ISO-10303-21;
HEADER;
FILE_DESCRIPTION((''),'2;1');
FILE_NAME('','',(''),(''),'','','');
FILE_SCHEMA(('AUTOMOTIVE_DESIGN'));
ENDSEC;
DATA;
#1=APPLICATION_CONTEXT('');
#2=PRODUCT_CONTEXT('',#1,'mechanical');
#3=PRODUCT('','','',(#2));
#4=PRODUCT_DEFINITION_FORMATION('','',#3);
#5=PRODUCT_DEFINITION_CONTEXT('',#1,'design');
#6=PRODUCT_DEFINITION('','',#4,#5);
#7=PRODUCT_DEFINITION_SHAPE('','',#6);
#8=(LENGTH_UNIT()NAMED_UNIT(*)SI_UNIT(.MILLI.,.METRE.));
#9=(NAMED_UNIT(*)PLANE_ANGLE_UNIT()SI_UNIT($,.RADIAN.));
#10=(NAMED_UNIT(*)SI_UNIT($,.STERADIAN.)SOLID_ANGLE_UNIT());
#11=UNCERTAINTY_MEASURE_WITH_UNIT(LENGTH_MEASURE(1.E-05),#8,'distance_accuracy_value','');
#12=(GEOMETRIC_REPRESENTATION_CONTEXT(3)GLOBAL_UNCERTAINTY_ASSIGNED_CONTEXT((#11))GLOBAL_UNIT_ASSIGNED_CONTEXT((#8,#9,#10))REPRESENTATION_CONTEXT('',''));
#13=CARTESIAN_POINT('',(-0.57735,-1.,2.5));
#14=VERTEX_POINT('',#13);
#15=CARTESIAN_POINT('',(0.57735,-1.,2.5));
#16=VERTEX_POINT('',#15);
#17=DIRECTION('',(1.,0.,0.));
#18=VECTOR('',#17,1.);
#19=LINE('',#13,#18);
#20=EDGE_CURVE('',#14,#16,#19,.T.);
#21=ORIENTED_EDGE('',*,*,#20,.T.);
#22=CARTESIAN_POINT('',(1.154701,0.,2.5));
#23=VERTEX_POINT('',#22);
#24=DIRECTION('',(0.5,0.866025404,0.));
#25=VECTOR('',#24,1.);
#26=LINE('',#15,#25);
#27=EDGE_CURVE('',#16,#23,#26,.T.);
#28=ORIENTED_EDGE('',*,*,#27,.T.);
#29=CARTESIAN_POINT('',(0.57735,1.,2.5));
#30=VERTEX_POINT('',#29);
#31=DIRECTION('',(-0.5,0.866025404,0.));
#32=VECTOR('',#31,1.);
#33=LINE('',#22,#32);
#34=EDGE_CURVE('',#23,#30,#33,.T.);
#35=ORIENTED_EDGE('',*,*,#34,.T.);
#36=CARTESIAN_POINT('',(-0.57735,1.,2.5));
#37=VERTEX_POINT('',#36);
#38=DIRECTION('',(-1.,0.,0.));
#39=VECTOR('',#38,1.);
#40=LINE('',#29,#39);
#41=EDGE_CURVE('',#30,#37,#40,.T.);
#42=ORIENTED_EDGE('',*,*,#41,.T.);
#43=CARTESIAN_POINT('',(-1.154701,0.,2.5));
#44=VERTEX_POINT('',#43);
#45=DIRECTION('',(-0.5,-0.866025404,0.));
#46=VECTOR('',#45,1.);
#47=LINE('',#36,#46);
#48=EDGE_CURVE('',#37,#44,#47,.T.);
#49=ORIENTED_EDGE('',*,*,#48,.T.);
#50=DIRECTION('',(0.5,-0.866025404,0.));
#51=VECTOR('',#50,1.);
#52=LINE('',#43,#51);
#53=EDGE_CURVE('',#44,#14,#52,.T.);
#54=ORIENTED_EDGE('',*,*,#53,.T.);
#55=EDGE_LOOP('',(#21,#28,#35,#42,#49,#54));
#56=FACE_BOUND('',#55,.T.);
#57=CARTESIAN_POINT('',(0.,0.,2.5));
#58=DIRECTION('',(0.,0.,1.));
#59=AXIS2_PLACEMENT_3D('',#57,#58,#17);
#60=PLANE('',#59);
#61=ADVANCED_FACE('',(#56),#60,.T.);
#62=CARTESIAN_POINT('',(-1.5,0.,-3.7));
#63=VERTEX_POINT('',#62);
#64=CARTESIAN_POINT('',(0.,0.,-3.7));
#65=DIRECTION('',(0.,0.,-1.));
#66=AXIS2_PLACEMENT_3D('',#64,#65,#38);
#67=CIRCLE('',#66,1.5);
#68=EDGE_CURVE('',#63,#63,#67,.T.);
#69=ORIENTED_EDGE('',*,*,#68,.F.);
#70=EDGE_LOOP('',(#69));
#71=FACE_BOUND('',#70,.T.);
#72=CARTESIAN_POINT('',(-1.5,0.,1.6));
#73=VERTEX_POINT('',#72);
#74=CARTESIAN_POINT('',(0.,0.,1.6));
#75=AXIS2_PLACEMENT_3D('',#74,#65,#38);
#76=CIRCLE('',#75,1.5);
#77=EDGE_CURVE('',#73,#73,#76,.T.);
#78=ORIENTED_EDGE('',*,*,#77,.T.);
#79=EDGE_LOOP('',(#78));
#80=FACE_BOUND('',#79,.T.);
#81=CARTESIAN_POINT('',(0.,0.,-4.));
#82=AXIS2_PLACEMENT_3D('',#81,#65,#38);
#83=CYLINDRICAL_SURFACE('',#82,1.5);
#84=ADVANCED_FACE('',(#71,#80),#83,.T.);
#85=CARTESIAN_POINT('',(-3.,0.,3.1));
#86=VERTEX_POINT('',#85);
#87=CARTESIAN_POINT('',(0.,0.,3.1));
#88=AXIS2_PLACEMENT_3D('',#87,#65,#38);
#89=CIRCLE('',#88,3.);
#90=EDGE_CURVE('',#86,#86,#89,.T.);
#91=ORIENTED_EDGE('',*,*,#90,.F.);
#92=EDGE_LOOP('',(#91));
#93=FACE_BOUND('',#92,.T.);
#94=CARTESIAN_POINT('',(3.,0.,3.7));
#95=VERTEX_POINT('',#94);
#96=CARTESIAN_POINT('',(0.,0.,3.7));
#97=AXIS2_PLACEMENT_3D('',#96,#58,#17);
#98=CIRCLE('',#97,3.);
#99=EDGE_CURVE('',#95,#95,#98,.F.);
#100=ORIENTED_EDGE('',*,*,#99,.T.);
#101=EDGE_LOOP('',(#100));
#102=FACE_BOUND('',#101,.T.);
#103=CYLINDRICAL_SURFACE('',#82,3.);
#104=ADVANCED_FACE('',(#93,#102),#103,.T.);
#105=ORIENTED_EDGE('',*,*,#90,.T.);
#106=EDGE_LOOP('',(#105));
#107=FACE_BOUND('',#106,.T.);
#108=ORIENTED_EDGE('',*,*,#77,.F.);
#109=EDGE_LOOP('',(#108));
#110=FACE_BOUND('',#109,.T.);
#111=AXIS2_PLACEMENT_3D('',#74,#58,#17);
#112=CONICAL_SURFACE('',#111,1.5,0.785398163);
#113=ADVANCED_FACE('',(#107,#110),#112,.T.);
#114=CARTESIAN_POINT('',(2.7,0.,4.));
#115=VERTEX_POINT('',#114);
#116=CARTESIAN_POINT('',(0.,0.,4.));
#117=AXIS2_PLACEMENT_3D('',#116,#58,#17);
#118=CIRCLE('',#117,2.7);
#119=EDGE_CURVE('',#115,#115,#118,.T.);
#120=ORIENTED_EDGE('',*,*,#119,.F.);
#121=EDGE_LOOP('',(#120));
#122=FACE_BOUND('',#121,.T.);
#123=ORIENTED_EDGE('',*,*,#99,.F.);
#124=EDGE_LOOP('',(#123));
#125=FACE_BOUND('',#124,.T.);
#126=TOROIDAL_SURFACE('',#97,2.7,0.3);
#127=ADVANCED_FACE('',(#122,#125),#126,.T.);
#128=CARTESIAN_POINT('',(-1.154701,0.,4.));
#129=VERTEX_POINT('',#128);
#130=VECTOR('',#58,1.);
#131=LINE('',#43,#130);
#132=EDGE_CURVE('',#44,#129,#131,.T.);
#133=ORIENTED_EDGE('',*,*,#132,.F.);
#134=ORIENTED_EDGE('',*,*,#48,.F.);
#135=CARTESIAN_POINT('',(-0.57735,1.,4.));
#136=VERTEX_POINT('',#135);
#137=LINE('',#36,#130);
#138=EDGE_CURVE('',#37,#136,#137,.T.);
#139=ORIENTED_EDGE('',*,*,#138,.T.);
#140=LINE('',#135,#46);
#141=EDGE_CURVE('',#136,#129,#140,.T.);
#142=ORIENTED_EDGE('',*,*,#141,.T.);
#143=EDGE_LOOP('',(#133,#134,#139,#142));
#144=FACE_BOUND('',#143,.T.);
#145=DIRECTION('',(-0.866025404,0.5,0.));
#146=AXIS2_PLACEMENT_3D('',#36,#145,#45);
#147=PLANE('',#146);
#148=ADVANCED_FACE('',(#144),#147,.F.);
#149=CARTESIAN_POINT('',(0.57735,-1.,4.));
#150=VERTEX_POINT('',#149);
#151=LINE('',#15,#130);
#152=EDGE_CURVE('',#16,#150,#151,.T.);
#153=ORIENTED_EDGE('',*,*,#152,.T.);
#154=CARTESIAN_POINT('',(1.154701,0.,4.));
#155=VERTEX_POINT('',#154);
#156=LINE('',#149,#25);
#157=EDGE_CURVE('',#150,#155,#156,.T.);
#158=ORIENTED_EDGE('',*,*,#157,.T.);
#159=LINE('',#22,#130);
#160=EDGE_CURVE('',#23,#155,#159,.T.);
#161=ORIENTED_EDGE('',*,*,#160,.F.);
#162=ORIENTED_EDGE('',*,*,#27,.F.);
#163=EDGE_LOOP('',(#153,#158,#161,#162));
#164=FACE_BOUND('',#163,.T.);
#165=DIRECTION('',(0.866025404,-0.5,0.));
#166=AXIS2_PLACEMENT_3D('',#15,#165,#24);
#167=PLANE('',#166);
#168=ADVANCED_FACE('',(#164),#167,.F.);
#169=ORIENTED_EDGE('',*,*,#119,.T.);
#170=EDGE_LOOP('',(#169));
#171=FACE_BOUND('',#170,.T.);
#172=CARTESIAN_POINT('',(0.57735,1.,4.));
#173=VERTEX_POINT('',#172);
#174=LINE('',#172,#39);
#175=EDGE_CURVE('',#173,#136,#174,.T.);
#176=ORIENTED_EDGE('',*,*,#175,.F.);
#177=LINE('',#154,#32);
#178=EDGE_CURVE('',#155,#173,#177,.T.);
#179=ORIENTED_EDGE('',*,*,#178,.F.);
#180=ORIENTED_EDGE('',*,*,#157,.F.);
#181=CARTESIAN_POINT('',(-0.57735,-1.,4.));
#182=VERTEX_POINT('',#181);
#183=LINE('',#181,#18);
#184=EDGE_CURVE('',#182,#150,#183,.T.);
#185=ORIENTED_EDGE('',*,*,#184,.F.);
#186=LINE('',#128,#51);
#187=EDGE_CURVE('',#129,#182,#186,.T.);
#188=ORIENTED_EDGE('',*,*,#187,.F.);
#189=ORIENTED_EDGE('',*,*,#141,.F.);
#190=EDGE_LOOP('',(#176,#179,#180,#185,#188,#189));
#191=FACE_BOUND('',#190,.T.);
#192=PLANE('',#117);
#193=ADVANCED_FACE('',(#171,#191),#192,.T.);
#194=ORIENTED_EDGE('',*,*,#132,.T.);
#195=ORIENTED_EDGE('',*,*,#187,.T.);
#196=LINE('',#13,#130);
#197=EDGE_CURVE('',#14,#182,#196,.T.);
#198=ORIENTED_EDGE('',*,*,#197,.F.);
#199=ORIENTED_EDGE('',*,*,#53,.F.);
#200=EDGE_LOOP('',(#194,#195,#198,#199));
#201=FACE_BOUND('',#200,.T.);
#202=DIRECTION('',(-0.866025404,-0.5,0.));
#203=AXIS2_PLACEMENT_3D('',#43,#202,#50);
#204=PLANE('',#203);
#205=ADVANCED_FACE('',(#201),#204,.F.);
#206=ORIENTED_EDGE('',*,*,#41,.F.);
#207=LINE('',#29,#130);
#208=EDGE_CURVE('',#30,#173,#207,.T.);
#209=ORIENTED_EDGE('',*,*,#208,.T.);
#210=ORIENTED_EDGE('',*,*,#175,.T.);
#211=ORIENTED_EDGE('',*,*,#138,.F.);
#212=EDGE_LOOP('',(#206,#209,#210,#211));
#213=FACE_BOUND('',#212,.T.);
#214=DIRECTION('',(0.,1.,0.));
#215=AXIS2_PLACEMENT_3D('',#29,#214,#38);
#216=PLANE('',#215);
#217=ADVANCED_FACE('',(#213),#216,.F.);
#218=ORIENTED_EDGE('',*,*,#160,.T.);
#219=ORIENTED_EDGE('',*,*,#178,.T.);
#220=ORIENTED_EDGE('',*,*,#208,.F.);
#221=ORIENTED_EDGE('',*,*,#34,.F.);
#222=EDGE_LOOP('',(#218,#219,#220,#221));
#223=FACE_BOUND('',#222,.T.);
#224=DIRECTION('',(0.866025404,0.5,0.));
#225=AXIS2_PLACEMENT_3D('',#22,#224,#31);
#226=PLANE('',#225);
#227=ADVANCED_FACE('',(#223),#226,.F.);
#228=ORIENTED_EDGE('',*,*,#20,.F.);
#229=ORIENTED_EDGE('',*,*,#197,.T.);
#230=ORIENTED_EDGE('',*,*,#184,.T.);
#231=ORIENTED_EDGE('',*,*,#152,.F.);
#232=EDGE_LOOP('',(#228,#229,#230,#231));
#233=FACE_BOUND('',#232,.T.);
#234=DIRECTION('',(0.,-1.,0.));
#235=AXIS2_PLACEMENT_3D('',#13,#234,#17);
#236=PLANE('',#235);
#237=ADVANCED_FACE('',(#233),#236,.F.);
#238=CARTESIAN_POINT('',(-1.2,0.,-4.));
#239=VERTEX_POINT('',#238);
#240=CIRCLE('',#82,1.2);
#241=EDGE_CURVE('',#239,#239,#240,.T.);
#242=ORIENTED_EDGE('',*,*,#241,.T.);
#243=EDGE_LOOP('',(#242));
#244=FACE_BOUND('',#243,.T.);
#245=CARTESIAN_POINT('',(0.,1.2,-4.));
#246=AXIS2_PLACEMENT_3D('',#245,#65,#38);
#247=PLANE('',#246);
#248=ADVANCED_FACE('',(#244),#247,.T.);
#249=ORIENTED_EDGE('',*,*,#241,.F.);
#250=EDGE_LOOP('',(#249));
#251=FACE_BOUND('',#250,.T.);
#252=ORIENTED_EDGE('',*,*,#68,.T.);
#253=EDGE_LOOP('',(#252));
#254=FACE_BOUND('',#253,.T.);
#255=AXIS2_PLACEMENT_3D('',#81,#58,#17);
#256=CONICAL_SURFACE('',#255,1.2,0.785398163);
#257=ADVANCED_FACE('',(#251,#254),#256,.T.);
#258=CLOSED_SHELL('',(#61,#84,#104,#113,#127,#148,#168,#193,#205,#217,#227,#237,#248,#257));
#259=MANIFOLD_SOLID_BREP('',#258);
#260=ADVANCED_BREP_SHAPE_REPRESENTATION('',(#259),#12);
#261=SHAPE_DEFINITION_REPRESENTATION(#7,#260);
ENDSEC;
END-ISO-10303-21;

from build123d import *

# Parameters (mm, degrees)
CUT_EXTRUDE_1_DEPTH = 1.5
FILLET_1_R          = 0.3


with BuildPart() as part:
    # 草图1 → 旋转1 (revolve)
    with BuildSketch(Plane(origin=(0, 0, 0), x_dir=(0, 0, -1), z_dir=(1, 0, 0))):
        Polygon((-4, 0), (-4, 3), (-3.1, 3), (-1.6, 1.5), (3.7, 1.5), (4, 1.2), (4, 0), align=None)
    revolve(axis=Axis((0, 0, -4), (0, 0, 1)))

    # 草图2 → 切除-拉伸1 (cut)
    with BuildSketch(Plane.XY.offset(4)):
        Polygon((1.154700538, 0), (0.577350269, 1), (-0.577350269, 1), (-1.154700538, 0), (-0.577350269, -1), (0.577350269, -1), align=None)
    extrude(amount=-CUT_EXTRUDE_1_DEPTH, mode=Mode.SUBTRACT)

    # 圆角1
    fillet_1_edges = [part.edges().sort_by_distance(p)[0] for p in [
        (0, -3, 4),
    ]]
    fillet(fillet_1_edges, radius=FILLET_1_R)


solid = part.part
